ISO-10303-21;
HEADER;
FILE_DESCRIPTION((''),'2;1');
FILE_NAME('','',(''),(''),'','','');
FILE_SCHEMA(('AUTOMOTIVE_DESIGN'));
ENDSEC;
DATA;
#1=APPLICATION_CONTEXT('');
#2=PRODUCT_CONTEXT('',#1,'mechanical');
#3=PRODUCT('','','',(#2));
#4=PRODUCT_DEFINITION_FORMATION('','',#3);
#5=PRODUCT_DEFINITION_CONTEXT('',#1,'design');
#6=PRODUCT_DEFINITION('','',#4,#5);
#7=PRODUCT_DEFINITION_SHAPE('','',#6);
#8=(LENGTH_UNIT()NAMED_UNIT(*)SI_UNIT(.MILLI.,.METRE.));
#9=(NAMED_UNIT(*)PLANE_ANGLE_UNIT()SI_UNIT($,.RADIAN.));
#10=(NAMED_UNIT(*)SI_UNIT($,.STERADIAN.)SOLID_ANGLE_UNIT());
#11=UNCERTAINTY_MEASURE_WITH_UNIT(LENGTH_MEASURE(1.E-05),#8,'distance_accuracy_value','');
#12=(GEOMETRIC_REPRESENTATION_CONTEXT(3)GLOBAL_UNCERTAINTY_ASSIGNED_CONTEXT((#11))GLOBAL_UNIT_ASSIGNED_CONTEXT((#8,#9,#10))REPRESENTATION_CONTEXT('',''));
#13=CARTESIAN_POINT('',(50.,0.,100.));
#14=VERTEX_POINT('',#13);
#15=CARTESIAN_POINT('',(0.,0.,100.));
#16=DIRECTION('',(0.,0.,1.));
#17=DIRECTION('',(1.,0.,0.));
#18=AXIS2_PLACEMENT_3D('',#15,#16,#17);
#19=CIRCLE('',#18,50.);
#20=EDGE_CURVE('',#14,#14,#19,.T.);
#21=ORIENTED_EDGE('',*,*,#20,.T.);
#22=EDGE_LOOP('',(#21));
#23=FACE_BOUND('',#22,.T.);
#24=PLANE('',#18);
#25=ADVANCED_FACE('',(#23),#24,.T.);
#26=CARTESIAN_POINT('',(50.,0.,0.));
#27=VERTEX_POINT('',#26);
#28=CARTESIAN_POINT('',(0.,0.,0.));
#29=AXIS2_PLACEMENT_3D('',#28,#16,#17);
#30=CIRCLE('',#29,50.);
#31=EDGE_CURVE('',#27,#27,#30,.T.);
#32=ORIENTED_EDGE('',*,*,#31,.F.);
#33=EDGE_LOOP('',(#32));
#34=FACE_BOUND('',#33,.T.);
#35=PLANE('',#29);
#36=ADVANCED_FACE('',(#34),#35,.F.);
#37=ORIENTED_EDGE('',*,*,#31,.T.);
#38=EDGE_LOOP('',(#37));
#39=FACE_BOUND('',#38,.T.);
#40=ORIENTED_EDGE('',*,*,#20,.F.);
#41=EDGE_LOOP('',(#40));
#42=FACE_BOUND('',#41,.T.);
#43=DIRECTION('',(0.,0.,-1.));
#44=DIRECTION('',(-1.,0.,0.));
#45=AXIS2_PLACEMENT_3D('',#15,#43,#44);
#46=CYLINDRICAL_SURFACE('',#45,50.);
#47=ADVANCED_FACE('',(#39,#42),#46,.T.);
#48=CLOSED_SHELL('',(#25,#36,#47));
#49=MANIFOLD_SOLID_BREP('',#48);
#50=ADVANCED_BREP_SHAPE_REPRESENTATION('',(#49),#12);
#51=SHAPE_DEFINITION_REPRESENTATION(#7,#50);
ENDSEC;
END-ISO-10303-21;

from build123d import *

# Parameters (mm, degrees)
ESQUISSE1_R        = 50
BOSS_EXTRU_1_DEPTH = 100


with BuildPart() as part:
    # Esquisse1 → Boss.-Extru.1 (new body)
    with BuildSketch(Plane.XY):
        Circle(ESQUISSE1_R)
    extrude(amount=BOSS_EXTRU_1_DEPTH)


solid = part.part
